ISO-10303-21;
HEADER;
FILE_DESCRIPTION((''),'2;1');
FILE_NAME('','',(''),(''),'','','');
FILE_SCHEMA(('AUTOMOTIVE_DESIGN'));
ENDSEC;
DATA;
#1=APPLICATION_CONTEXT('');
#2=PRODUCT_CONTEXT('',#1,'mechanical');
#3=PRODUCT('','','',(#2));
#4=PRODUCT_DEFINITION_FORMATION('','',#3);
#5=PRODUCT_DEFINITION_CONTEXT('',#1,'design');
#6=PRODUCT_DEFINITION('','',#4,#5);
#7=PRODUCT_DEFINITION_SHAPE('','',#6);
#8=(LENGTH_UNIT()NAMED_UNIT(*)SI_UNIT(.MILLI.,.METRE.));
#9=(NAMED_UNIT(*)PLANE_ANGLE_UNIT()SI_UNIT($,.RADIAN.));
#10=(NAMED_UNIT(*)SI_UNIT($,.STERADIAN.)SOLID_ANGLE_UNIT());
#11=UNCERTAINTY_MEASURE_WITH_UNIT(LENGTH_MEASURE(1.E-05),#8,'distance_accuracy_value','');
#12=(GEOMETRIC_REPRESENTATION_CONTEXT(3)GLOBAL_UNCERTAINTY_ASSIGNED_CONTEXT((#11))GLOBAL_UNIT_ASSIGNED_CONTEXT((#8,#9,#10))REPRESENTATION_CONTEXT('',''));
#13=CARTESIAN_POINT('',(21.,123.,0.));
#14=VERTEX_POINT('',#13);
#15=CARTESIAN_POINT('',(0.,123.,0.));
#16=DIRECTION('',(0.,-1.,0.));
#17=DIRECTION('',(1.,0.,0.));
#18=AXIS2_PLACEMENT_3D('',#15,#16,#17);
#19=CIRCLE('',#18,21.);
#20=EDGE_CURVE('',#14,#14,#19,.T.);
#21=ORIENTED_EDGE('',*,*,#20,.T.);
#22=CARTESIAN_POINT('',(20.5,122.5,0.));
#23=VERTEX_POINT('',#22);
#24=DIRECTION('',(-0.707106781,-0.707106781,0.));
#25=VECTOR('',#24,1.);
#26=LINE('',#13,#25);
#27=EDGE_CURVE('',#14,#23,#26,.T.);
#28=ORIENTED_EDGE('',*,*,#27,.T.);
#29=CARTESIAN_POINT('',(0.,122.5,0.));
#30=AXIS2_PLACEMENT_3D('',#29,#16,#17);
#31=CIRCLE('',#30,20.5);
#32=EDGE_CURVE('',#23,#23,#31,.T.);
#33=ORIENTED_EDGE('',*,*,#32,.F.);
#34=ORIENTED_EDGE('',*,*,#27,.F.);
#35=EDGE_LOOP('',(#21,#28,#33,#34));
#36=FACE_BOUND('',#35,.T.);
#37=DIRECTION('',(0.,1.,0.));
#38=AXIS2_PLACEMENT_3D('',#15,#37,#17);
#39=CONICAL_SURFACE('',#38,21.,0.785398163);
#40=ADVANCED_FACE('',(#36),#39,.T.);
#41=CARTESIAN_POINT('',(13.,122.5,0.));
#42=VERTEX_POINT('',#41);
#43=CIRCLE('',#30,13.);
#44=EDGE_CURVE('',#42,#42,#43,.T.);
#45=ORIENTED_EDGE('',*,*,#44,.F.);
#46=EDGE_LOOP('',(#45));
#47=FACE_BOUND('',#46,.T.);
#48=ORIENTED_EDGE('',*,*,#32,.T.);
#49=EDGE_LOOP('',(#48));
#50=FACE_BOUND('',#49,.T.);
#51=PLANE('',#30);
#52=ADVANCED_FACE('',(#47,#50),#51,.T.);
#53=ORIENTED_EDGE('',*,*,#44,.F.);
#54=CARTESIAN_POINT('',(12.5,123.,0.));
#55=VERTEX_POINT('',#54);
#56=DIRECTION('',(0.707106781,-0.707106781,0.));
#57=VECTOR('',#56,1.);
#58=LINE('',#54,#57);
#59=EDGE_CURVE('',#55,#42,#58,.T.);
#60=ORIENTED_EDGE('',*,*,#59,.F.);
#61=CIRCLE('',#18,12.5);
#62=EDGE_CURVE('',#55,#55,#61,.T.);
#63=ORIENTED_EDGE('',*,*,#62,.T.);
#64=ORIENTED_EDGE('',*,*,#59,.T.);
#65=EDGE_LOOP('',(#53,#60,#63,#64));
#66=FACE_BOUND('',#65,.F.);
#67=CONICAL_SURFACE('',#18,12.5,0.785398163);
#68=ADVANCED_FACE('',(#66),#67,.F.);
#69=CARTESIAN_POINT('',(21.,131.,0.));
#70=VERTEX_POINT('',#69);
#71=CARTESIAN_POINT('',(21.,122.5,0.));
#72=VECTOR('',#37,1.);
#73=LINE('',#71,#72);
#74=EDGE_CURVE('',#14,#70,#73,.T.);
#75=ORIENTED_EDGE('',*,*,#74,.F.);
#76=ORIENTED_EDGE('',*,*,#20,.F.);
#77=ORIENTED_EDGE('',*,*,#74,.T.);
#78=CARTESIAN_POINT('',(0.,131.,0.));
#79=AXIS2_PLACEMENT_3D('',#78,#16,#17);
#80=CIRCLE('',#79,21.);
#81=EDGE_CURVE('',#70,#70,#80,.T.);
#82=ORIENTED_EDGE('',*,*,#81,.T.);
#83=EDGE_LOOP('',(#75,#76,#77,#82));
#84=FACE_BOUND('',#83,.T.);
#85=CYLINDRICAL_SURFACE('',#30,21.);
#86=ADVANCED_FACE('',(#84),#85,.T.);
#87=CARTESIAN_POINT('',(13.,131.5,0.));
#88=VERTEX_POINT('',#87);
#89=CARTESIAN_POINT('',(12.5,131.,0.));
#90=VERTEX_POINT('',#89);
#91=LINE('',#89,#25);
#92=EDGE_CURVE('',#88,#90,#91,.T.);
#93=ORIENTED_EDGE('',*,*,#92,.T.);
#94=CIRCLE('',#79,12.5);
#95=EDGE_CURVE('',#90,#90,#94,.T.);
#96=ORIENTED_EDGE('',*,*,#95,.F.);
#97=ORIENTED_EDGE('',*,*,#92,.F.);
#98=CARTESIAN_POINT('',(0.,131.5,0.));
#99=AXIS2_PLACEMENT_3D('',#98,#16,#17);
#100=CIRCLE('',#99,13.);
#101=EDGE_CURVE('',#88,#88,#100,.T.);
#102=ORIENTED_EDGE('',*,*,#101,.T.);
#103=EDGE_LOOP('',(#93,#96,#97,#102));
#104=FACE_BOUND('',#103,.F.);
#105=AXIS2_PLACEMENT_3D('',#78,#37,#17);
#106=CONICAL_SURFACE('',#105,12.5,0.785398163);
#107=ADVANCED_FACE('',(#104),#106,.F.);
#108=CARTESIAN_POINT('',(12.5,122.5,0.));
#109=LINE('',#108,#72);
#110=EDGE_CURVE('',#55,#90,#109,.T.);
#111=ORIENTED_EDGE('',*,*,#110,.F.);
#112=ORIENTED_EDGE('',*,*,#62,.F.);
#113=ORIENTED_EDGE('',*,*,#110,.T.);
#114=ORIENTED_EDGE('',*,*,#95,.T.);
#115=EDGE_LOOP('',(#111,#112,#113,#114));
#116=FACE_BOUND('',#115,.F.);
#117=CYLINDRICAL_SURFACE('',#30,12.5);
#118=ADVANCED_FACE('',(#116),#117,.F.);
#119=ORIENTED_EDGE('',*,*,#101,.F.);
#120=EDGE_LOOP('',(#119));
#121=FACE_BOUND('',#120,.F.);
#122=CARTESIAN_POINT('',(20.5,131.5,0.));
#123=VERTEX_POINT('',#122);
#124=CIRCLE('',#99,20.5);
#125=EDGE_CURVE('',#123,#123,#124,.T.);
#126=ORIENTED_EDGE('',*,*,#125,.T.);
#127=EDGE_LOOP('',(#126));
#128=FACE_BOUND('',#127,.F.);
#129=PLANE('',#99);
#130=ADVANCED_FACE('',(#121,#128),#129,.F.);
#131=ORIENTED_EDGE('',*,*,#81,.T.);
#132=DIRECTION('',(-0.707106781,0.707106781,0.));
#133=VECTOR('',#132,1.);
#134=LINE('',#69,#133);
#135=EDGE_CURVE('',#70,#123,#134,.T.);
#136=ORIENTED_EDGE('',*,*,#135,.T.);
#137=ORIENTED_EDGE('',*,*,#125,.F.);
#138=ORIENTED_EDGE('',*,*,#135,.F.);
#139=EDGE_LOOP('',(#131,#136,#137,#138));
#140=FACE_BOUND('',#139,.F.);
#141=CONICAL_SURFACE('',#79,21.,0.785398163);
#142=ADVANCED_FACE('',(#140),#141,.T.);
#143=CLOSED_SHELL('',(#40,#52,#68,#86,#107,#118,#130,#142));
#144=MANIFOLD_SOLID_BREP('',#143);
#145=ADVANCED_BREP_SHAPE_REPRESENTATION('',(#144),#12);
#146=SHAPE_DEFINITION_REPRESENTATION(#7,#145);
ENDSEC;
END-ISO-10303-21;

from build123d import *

# Parameters (mm, degrees)
SKETCH057_R     = 21
SKETCH057_R_2   = 12.5
PAD034_DEPTH    = 9
CHAMFER_SIZE    = 0.5
CHAMFER001_SIZE = 0.5


with BuildPart() as part:
    # Sketch057 → Pad034 (new body)
    with BuildSketch(Plane.XZ.offset(-122.5)):
        Circle(SKETCH057_R)
        Circle(SKETCH057_R_2, mode=Mode.SUBTRACT)
    extrude(amount=-PAD034_DEPTH)

    # Chamfer
    chamfer_edges = [part.edges().sort_by_distance(p)[0] for p in [
        (-21, 122.5, 0),
        (-12.5, 122.5, 0),
    ]]
    chamfer(chamfer_edges, length=CHAMFER_SIZE)

    # Chamfer001
    chamfer001_edges = [part.edges().sort_by_distance(p)[0] for p in [
        (-21, 131.5, 0),
        (-12.5, 131.5, 0),
    ]]
    chamfer(chamfer001_edges, length=CHAMFER001_SIZE)


solid = part.part
